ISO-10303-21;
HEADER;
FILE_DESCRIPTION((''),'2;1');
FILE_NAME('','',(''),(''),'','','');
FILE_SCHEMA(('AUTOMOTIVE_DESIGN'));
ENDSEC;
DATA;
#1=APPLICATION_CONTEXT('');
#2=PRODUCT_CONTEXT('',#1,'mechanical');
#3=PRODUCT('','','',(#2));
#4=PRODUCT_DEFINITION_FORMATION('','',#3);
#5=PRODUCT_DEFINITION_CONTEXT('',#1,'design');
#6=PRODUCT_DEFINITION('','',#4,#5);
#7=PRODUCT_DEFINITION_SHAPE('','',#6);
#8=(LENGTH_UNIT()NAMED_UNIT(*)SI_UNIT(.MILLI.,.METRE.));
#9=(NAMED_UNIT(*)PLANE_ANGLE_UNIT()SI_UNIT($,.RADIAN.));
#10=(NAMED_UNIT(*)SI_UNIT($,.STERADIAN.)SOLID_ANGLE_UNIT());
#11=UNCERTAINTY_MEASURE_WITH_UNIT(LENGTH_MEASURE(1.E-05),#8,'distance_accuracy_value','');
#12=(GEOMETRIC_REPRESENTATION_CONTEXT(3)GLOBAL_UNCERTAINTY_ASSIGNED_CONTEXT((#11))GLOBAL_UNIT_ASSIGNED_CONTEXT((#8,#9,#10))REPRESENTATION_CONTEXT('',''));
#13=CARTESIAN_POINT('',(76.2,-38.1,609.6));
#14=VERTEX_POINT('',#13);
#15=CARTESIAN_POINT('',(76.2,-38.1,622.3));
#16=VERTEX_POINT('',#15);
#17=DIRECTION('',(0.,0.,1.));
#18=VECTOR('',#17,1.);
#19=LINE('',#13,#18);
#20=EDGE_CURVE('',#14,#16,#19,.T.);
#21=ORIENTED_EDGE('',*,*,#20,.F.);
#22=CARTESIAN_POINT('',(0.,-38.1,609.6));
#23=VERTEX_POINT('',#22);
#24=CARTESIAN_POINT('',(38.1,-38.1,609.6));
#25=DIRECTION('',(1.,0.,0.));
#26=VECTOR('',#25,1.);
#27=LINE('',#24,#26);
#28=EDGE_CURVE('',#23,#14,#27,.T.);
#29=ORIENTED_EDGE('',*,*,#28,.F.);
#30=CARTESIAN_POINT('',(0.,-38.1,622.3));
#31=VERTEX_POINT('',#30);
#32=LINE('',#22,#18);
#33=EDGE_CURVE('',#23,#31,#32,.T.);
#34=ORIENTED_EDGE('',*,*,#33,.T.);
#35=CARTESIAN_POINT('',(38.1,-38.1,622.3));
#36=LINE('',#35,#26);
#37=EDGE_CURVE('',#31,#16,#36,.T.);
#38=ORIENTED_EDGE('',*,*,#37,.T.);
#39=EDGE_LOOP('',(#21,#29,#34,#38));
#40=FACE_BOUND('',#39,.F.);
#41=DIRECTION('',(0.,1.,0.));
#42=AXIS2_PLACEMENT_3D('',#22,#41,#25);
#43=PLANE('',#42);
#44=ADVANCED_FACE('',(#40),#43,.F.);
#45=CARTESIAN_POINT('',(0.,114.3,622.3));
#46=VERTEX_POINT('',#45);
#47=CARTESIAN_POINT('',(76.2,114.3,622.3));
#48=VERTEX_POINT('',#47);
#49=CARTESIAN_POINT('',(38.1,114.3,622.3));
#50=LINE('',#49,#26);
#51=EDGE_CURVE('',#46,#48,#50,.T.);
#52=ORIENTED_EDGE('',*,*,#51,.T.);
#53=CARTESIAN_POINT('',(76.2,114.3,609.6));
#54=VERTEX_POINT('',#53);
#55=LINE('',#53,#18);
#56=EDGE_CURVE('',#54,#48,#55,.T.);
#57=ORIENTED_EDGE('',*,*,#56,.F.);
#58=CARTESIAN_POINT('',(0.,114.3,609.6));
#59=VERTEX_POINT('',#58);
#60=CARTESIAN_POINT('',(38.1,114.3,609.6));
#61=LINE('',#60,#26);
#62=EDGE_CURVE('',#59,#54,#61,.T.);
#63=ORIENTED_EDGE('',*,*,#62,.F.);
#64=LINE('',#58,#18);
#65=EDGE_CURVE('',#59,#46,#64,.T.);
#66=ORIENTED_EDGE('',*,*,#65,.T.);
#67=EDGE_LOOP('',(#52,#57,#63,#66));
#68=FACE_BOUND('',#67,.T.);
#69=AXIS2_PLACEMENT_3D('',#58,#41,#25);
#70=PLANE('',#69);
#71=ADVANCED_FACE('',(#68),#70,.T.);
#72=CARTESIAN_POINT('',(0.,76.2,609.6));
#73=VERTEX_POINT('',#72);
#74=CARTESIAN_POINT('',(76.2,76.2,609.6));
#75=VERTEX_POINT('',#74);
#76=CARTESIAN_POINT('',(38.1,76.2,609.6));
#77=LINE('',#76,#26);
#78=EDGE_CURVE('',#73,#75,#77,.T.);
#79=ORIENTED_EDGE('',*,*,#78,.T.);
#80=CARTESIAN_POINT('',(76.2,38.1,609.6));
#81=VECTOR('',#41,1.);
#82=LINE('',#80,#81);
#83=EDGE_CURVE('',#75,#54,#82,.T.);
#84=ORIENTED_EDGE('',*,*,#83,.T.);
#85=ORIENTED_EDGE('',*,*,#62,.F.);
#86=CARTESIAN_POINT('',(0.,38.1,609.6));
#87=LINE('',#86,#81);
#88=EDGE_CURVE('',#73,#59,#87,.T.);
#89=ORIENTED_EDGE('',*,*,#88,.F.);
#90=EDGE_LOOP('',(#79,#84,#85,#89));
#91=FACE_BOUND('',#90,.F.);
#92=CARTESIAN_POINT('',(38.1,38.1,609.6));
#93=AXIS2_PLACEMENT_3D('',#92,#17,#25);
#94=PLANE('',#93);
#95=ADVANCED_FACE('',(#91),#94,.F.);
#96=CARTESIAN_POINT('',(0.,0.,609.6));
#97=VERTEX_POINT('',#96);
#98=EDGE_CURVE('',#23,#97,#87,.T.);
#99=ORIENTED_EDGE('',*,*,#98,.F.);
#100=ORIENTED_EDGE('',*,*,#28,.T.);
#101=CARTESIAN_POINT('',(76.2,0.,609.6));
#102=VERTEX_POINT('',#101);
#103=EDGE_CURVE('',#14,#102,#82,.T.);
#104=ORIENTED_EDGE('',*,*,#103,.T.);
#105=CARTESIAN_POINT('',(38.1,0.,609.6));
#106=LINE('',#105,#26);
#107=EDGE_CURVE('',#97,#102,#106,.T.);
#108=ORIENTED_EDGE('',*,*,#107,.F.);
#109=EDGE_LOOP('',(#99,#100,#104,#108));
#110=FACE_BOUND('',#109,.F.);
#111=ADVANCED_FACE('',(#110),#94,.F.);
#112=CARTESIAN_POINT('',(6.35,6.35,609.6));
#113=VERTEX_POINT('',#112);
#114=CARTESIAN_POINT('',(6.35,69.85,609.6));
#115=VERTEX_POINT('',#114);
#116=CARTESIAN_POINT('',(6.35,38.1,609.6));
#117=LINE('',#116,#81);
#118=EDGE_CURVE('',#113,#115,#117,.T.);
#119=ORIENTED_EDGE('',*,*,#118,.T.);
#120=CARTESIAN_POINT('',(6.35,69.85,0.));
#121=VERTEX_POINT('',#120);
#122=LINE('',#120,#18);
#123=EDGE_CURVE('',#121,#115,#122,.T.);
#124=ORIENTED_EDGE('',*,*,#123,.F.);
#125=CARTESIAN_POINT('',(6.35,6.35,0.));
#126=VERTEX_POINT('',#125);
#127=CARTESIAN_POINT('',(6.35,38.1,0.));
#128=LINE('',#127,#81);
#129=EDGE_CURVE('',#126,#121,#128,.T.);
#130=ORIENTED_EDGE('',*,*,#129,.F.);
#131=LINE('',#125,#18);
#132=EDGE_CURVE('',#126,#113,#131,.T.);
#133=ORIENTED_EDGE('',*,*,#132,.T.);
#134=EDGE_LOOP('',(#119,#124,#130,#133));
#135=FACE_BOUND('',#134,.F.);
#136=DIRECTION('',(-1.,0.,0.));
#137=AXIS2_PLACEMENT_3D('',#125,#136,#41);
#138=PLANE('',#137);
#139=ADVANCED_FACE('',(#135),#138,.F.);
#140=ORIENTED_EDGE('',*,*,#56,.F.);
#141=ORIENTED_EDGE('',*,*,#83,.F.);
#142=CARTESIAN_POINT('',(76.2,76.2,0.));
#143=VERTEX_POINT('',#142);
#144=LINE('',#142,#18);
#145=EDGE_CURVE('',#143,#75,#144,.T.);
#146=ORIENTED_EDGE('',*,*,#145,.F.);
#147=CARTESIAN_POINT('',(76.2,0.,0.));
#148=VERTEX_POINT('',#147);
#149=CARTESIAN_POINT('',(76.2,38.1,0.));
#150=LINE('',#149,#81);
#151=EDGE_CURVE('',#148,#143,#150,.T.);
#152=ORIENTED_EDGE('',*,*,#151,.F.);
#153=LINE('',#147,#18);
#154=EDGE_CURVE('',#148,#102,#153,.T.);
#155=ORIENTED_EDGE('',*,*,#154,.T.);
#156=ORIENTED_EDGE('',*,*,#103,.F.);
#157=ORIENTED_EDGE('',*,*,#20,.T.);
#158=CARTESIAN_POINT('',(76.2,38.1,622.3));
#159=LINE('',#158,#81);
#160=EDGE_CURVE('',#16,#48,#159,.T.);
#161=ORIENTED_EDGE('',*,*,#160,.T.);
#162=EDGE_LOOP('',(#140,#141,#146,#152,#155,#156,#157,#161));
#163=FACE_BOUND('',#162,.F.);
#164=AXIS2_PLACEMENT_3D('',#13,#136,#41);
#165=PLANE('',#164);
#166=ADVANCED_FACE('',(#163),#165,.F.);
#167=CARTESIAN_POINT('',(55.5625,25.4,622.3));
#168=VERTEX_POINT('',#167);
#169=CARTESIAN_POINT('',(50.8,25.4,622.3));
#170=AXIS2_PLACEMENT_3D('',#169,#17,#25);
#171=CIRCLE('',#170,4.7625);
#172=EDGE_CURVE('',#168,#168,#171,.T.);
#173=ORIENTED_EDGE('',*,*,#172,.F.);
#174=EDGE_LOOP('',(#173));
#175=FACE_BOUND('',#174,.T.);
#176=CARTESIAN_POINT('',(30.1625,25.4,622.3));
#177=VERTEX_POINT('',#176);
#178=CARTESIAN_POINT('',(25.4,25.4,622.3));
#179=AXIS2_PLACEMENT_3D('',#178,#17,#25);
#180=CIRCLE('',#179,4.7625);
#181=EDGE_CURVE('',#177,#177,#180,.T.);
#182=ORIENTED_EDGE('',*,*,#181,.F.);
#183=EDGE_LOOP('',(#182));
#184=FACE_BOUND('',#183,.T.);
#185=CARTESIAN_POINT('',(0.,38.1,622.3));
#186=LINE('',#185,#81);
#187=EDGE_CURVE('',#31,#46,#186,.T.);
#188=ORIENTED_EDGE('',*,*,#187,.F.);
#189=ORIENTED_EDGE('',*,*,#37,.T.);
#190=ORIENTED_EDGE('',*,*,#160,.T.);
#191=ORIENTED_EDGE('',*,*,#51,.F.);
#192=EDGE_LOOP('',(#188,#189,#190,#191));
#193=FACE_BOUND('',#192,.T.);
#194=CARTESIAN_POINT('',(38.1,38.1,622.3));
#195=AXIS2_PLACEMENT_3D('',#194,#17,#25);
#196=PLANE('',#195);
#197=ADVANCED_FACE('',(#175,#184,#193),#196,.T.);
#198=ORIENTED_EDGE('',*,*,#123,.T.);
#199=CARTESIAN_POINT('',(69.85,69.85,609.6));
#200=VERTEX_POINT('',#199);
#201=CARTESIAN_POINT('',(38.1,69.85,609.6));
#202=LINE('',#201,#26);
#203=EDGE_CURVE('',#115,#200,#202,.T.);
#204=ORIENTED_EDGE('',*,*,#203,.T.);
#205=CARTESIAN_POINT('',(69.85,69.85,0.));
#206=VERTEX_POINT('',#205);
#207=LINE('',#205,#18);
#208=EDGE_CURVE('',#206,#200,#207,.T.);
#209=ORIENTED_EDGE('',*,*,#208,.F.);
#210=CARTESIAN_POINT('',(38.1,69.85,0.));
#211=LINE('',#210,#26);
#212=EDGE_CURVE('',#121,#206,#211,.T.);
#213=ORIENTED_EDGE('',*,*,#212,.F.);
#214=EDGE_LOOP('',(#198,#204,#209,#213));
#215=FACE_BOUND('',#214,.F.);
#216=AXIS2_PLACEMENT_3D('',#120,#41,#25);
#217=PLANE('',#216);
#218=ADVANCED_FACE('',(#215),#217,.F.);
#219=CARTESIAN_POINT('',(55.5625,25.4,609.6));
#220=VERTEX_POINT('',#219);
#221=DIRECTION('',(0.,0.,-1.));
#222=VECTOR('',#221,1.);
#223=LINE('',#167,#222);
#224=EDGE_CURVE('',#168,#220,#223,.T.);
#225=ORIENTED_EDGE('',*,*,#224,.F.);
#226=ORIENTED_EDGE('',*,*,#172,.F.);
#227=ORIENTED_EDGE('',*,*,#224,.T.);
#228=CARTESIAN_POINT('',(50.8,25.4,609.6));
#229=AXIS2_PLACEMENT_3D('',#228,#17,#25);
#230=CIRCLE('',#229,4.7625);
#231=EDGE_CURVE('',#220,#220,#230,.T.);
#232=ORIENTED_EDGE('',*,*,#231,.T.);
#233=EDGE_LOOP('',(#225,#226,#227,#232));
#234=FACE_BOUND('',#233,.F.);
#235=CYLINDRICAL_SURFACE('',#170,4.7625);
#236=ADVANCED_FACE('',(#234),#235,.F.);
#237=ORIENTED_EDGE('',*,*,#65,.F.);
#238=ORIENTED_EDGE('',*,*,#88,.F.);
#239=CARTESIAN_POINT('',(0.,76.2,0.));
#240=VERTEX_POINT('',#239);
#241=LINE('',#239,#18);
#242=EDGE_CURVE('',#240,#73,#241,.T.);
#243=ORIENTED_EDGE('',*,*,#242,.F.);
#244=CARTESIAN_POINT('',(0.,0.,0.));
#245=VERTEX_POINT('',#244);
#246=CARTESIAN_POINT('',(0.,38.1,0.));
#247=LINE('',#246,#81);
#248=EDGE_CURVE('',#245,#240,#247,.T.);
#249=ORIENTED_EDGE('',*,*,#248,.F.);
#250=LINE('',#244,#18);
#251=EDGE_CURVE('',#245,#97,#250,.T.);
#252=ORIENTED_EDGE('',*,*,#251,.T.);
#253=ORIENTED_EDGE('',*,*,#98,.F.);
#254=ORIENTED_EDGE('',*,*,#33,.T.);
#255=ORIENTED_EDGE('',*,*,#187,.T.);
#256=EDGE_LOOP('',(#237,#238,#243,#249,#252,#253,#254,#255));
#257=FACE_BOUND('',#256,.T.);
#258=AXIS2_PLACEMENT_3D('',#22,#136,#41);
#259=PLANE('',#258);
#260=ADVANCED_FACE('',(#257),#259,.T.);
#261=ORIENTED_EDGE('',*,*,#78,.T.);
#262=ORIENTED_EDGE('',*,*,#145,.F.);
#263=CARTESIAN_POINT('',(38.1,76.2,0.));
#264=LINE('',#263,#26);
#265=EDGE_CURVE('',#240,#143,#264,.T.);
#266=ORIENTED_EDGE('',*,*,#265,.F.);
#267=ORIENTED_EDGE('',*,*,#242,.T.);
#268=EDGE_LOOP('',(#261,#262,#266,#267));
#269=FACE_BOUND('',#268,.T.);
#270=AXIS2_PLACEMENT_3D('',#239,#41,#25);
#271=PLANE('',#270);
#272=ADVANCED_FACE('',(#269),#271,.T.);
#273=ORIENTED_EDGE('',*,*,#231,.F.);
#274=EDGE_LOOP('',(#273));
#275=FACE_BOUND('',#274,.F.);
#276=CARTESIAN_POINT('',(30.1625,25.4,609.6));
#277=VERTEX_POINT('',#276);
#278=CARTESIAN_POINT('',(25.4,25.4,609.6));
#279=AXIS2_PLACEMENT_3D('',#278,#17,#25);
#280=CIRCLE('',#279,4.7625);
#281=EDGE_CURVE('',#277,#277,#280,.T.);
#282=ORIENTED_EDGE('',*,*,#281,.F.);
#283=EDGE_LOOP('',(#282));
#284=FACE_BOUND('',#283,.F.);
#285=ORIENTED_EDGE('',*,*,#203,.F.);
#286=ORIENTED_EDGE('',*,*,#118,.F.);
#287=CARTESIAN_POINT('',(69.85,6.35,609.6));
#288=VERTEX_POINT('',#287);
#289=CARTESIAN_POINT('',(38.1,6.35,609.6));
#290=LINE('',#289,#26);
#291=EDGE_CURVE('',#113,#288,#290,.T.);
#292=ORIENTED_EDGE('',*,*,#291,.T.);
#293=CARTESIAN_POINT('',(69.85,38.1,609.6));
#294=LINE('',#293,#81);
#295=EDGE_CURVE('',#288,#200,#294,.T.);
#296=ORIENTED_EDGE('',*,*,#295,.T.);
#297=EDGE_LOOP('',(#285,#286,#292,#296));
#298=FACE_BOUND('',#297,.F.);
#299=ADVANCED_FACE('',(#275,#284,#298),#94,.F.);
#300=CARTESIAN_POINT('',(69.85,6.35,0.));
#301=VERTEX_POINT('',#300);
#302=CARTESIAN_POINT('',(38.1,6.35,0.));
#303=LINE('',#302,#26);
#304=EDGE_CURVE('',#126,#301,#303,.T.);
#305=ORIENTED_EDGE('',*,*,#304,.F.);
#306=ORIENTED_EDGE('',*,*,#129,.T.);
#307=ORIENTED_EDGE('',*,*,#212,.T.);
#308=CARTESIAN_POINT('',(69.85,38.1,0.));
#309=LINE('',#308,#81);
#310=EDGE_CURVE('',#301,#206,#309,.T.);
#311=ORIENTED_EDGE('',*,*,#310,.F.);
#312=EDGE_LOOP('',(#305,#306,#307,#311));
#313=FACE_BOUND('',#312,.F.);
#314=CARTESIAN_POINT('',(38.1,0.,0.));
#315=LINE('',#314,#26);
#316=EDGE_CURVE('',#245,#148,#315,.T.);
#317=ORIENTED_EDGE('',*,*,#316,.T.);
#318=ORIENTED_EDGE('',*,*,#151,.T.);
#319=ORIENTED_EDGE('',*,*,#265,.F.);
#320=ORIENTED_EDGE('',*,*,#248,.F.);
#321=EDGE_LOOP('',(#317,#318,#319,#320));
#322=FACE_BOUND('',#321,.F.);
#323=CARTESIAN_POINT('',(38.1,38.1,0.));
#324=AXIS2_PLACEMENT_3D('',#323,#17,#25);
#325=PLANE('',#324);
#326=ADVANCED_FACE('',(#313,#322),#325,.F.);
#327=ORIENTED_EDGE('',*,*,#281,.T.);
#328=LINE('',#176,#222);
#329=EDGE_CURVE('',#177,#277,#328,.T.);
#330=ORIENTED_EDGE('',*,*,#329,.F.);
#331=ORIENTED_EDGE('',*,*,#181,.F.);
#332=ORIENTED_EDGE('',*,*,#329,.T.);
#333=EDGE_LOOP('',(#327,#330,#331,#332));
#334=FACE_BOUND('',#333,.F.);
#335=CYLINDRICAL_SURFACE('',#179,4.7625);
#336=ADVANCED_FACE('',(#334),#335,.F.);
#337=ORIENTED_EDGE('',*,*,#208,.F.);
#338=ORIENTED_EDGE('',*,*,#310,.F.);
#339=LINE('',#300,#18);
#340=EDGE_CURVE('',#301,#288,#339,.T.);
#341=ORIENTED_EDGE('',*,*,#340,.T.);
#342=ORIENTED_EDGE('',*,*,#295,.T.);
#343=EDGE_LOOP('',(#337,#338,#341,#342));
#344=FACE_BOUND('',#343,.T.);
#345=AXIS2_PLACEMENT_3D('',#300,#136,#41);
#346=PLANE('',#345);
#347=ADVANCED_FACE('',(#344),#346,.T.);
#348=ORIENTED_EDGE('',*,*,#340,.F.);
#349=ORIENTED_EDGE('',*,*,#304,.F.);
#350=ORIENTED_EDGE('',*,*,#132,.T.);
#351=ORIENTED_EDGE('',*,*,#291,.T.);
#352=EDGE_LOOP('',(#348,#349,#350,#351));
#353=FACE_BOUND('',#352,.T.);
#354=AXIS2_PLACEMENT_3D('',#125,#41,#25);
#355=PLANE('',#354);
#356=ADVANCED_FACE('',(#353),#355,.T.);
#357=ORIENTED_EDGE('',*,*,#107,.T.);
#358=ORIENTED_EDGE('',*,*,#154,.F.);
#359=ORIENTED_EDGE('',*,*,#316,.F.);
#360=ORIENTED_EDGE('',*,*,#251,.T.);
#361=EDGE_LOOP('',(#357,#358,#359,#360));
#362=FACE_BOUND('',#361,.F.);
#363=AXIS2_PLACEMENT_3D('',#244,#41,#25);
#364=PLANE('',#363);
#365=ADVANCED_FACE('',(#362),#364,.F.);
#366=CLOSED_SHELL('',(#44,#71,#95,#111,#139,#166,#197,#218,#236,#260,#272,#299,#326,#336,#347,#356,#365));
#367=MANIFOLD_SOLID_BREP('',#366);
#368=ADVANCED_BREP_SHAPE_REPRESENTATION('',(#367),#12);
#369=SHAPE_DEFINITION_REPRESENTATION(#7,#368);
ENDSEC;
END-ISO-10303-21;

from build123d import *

# Parameters (mm, degrees)
F0_W     = 76.2
F0_H     = 76.2
F0_W_2   = 63.5
F0_H_2   = 63.5
F1_DEPTH = 609.6
F2_W     = 76.2
F2_H     = 152.4
F3_DEPTH = 12.7
F4_R     = 4.7625
F5_DEPTH = 25.4


with BuildPart() as f1:
    # F0 (on Top) → F1 (new body)
    with BuildSketch(Plane.XY):
        with Locations((38.1, 38.1)):
            Rectangle(F0_W, F0_H)
        with Locations((38.1, 38.1)):
            Rectangle(F0_W_2, F0_H_2, mode=Mode.SUBTRACT)
    extrude(amount=F1_DEPTH)

    # F2 (on face) → F3 (join)
    with BuildSketch(Plane.XY.offset(609.6)):
        with Locations((38.1, 38.1)):
            Rectangle(F2_W, F2_H)
    extrude(amount=F3_DEPTH)

    # F4 (on face) → F5 (cut)
    with BuildSketch(Plane.XY.offset(622.3)):
        with Locations((50.8, 25.4)):
            Circle(F4_R)
        with Locations((25.4, 25.4)):
            Circle(F4_R)
    extrude(amount=-F5_DEPTH, mode=Mode.SUBTRACT)


solid = f1.part
